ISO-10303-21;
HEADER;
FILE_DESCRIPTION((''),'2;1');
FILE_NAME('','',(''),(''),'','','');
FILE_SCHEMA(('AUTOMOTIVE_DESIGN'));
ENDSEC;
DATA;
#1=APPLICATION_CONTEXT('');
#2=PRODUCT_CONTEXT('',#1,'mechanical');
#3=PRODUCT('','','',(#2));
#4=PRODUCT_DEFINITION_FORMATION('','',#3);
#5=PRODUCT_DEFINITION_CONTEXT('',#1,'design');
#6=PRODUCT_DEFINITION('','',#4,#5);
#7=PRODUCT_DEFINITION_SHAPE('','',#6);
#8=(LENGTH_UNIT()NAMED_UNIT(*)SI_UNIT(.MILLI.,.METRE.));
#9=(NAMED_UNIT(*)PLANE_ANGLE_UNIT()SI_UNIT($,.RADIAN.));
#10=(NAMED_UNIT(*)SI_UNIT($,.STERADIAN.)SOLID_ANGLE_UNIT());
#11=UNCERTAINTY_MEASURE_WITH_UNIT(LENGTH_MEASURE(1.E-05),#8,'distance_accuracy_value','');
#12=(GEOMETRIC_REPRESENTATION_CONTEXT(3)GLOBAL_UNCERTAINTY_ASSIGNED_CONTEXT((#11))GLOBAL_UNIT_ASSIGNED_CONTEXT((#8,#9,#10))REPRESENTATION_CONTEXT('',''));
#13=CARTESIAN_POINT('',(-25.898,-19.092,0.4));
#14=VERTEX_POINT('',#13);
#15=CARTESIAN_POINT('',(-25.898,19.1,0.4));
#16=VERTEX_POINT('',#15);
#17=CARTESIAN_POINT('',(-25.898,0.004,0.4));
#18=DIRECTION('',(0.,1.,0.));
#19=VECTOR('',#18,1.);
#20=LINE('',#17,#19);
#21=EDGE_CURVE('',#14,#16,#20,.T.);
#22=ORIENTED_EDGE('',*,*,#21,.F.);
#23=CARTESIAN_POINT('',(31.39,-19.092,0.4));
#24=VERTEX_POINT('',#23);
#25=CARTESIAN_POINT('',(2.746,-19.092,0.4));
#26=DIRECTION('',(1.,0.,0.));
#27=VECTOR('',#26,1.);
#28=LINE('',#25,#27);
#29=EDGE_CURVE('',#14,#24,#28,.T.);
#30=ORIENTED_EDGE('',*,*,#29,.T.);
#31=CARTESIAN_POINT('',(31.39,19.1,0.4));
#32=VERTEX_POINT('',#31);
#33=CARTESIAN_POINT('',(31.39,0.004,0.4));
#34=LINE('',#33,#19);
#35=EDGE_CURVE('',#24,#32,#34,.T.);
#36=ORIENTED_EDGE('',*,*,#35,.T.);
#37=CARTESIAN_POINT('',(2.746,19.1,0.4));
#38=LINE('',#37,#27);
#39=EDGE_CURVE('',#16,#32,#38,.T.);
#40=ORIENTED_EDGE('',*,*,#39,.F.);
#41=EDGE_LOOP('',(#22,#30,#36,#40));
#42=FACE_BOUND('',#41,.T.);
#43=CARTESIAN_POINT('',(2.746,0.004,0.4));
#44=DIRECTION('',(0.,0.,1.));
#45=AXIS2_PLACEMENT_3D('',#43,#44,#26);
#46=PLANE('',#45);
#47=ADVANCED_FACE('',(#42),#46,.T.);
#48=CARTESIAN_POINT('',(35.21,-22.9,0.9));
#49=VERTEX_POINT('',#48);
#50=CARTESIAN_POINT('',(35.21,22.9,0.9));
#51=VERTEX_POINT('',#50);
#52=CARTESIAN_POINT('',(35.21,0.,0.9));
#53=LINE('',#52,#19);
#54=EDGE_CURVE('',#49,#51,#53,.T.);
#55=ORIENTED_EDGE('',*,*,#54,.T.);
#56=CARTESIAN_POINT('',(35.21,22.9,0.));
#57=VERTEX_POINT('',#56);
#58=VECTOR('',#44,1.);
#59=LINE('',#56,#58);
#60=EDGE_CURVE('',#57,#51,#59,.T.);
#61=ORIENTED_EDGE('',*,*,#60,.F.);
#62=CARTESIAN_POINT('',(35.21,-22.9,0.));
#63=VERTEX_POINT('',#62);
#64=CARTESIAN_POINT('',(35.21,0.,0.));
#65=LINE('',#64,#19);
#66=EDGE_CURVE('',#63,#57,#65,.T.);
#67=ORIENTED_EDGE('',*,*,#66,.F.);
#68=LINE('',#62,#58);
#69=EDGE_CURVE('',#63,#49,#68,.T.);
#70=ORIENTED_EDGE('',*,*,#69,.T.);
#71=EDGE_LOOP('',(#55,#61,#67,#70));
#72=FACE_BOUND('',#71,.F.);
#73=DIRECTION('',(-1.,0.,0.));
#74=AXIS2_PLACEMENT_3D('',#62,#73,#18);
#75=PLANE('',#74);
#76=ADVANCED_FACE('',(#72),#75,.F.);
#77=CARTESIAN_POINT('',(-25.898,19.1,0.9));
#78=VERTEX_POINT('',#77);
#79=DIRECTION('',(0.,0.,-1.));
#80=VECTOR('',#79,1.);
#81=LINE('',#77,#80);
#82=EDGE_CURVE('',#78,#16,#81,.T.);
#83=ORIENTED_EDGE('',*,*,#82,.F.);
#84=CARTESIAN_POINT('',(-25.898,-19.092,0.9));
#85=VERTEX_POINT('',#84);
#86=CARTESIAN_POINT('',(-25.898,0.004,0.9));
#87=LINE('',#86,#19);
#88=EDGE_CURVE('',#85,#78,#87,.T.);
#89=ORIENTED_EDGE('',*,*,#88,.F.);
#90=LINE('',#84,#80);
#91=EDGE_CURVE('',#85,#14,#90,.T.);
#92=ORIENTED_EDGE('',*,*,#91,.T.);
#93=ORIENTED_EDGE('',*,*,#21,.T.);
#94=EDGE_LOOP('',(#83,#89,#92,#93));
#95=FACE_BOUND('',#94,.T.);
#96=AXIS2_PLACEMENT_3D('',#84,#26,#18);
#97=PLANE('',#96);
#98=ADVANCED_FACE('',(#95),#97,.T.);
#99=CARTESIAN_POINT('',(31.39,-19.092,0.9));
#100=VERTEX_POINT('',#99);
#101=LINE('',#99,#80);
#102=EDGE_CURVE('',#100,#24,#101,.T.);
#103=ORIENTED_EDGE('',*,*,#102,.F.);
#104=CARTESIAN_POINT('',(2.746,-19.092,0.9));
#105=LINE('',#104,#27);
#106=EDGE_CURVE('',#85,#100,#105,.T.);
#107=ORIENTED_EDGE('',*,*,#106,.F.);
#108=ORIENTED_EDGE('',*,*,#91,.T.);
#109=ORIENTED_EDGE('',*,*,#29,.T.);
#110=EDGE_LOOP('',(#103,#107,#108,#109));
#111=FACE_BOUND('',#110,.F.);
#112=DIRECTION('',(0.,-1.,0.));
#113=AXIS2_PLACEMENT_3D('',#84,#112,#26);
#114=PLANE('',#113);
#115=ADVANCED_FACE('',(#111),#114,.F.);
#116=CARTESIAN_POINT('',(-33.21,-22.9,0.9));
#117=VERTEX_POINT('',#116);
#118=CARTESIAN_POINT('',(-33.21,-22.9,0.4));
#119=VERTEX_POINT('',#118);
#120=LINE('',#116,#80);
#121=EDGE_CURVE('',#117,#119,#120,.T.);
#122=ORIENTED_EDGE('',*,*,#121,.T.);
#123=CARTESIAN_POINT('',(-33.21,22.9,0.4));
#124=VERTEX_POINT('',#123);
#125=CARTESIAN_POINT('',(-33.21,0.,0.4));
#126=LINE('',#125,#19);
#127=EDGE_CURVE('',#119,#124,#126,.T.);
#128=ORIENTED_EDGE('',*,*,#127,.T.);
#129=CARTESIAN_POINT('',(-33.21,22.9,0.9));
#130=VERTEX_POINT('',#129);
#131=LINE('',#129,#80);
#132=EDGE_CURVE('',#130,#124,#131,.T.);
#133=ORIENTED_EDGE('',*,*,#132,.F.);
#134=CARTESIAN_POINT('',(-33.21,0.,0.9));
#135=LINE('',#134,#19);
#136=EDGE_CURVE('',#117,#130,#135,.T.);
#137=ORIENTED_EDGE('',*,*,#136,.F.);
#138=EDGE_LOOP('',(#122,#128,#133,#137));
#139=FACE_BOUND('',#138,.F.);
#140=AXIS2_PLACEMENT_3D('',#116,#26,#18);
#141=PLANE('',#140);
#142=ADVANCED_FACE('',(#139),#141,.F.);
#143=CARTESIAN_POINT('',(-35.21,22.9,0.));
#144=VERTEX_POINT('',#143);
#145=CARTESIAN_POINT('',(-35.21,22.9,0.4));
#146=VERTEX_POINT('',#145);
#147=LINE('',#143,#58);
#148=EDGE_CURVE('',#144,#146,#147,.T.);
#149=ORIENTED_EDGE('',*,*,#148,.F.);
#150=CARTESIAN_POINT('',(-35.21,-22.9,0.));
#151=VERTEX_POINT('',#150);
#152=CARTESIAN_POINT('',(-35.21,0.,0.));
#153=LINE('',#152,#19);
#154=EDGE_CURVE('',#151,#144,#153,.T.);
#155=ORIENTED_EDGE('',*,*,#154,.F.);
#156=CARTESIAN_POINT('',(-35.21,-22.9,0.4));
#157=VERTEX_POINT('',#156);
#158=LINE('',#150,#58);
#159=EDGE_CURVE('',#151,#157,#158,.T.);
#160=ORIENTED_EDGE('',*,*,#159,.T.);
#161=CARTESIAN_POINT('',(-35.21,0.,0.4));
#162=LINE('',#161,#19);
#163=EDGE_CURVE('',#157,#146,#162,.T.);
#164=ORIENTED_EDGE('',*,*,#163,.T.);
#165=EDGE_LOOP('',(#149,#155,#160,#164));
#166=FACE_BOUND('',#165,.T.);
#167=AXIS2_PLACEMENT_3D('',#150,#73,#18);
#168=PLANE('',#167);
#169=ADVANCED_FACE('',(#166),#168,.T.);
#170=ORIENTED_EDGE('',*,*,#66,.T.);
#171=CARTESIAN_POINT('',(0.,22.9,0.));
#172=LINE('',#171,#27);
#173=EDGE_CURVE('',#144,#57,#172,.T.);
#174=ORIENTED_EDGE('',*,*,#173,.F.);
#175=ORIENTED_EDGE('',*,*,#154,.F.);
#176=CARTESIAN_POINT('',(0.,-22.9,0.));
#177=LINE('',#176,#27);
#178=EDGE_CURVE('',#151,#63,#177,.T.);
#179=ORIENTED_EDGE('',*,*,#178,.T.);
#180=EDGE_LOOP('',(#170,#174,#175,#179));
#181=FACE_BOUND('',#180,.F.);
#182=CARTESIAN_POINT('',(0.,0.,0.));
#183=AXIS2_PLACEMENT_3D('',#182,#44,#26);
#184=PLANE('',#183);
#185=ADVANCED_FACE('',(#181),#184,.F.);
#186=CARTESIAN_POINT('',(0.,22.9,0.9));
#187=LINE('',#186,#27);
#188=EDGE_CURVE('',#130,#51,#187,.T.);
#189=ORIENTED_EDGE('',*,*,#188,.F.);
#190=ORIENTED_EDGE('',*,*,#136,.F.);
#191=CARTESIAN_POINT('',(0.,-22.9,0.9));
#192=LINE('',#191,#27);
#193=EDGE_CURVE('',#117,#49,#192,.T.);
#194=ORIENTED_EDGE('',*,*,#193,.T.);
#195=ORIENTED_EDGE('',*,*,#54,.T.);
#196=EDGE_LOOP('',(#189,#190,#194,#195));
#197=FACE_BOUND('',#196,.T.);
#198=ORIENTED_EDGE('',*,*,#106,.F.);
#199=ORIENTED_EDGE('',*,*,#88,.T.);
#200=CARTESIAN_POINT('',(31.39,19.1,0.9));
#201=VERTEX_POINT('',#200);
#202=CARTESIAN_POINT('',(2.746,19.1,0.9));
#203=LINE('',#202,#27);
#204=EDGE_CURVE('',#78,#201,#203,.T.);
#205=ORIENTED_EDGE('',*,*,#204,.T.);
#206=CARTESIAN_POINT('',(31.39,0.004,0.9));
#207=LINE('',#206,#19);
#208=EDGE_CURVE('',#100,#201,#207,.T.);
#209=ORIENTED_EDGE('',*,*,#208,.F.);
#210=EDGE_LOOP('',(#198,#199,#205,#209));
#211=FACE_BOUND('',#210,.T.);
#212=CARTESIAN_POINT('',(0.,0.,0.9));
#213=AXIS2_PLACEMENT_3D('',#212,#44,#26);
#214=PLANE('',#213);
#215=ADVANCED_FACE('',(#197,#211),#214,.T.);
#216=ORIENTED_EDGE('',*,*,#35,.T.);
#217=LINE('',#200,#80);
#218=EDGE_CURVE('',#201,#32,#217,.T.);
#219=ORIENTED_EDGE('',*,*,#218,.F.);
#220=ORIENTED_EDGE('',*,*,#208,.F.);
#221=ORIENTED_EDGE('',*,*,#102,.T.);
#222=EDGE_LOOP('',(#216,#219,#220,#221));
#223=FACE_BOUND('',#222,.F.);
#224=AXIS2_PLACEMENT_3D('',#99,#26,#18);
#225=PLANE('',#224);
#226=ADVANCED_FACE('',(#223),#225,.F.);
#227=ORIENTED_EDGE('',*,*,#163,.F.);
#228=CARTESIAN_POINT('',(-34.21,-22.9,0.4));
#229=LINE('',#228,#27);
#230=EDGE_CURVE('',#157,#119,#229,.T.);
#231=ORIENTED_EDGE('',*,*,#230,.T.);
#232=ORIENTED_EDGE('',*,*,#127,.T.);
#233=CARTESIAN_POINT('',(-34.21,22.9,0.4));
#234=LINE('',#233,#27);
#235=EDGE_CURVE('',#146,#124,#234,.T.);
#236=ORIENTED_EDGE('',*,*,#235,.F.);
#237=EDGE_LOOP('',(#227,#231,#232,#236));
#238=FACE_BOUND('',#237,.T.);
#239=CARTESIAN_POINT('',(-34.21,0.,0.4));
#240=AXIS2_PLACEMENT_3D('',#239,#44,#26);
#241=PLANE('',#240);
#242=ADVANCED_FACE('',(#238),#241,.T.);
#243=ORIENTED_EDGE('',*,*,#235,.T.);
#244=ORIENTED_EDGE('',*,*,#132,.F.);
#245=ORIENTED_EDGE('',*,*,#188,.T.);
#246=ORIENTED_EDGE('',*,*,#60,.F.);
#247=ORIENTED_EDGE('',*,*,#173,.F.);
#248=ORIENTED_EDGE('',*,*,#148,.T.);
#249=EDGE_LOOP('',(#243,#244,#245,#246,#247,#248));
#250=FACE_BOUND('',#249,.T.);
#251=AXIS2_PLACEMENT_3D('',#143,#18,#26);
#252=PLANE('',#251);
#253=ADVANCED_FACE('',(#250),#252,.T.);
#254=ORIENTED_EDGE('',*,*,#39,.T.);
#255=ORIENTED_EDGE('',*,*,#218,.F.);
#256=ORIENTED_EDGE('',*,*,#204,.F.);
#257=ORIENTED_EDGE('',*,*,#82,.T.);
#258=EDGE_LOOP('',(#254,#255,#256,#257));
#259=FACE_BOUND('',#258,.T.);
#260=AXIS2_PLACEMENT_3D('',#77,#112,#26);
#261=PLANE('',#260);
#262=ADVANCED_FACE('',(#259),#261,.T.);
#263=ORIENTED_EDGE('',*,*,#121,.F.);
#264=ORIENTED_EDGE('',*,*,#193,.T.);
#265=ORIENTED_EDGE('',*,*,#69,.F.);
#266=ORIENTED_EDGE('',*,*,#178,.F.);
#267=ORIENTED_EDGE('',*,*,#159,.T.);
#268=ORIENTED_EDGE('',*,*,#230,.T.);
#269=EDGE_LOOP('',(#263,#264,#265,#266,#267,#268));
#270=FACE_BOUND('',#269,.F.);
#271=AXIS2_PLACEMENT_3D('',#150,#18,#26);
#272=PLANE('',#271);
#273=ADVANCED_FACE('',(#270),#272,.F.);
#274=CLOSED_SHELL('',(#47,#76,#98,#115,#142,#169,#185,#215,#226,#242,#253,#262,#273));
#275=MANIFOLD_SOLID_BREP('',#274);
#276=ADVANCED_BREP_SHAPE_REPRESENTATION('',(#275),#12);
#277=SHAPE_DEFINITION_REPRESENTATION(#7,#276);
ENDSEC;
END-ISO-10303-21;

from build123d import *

# Parameters (mm, degrees)
F0_W     = 70.42
F0_H     = 45.8
F1_DEPTH = 0.9
F2_W     = 57.288
F2_H     = 38.192
F3_DEPTH = 0.5
F4_W     = 2
F4_H     = 45.8
F5_DEPTH = 0.5


with BuildPart() as f1:
    # F0 (on Top) → F1 (new body)
    with BuildSketch(Plane.XY):
        Rectangle(F0_W, F0_H)
    extrude(amount=F1_DEPTH)

    # F2 (on face) → F3 (cut)
    with BuildSketch(Plane.XY.offset(0.9)):
        with Locations((2.746, 0.004)):
            Rectangle(F2_W, F2_H)
    extrude(amount=-F3_DEPTH, mode=Mode.SUBTRACT)

    # F4 (on face) → F5 (cut)
    with BuildSketch(Plane.XY.offset(0.9)):
        with Locations((-34.21, 0)):
            Rectangle(F4_W, F4_H)
    extrude(amount=-F5_DEPTH, mode=Mode.SUBTRACT)


solid = f1.part
